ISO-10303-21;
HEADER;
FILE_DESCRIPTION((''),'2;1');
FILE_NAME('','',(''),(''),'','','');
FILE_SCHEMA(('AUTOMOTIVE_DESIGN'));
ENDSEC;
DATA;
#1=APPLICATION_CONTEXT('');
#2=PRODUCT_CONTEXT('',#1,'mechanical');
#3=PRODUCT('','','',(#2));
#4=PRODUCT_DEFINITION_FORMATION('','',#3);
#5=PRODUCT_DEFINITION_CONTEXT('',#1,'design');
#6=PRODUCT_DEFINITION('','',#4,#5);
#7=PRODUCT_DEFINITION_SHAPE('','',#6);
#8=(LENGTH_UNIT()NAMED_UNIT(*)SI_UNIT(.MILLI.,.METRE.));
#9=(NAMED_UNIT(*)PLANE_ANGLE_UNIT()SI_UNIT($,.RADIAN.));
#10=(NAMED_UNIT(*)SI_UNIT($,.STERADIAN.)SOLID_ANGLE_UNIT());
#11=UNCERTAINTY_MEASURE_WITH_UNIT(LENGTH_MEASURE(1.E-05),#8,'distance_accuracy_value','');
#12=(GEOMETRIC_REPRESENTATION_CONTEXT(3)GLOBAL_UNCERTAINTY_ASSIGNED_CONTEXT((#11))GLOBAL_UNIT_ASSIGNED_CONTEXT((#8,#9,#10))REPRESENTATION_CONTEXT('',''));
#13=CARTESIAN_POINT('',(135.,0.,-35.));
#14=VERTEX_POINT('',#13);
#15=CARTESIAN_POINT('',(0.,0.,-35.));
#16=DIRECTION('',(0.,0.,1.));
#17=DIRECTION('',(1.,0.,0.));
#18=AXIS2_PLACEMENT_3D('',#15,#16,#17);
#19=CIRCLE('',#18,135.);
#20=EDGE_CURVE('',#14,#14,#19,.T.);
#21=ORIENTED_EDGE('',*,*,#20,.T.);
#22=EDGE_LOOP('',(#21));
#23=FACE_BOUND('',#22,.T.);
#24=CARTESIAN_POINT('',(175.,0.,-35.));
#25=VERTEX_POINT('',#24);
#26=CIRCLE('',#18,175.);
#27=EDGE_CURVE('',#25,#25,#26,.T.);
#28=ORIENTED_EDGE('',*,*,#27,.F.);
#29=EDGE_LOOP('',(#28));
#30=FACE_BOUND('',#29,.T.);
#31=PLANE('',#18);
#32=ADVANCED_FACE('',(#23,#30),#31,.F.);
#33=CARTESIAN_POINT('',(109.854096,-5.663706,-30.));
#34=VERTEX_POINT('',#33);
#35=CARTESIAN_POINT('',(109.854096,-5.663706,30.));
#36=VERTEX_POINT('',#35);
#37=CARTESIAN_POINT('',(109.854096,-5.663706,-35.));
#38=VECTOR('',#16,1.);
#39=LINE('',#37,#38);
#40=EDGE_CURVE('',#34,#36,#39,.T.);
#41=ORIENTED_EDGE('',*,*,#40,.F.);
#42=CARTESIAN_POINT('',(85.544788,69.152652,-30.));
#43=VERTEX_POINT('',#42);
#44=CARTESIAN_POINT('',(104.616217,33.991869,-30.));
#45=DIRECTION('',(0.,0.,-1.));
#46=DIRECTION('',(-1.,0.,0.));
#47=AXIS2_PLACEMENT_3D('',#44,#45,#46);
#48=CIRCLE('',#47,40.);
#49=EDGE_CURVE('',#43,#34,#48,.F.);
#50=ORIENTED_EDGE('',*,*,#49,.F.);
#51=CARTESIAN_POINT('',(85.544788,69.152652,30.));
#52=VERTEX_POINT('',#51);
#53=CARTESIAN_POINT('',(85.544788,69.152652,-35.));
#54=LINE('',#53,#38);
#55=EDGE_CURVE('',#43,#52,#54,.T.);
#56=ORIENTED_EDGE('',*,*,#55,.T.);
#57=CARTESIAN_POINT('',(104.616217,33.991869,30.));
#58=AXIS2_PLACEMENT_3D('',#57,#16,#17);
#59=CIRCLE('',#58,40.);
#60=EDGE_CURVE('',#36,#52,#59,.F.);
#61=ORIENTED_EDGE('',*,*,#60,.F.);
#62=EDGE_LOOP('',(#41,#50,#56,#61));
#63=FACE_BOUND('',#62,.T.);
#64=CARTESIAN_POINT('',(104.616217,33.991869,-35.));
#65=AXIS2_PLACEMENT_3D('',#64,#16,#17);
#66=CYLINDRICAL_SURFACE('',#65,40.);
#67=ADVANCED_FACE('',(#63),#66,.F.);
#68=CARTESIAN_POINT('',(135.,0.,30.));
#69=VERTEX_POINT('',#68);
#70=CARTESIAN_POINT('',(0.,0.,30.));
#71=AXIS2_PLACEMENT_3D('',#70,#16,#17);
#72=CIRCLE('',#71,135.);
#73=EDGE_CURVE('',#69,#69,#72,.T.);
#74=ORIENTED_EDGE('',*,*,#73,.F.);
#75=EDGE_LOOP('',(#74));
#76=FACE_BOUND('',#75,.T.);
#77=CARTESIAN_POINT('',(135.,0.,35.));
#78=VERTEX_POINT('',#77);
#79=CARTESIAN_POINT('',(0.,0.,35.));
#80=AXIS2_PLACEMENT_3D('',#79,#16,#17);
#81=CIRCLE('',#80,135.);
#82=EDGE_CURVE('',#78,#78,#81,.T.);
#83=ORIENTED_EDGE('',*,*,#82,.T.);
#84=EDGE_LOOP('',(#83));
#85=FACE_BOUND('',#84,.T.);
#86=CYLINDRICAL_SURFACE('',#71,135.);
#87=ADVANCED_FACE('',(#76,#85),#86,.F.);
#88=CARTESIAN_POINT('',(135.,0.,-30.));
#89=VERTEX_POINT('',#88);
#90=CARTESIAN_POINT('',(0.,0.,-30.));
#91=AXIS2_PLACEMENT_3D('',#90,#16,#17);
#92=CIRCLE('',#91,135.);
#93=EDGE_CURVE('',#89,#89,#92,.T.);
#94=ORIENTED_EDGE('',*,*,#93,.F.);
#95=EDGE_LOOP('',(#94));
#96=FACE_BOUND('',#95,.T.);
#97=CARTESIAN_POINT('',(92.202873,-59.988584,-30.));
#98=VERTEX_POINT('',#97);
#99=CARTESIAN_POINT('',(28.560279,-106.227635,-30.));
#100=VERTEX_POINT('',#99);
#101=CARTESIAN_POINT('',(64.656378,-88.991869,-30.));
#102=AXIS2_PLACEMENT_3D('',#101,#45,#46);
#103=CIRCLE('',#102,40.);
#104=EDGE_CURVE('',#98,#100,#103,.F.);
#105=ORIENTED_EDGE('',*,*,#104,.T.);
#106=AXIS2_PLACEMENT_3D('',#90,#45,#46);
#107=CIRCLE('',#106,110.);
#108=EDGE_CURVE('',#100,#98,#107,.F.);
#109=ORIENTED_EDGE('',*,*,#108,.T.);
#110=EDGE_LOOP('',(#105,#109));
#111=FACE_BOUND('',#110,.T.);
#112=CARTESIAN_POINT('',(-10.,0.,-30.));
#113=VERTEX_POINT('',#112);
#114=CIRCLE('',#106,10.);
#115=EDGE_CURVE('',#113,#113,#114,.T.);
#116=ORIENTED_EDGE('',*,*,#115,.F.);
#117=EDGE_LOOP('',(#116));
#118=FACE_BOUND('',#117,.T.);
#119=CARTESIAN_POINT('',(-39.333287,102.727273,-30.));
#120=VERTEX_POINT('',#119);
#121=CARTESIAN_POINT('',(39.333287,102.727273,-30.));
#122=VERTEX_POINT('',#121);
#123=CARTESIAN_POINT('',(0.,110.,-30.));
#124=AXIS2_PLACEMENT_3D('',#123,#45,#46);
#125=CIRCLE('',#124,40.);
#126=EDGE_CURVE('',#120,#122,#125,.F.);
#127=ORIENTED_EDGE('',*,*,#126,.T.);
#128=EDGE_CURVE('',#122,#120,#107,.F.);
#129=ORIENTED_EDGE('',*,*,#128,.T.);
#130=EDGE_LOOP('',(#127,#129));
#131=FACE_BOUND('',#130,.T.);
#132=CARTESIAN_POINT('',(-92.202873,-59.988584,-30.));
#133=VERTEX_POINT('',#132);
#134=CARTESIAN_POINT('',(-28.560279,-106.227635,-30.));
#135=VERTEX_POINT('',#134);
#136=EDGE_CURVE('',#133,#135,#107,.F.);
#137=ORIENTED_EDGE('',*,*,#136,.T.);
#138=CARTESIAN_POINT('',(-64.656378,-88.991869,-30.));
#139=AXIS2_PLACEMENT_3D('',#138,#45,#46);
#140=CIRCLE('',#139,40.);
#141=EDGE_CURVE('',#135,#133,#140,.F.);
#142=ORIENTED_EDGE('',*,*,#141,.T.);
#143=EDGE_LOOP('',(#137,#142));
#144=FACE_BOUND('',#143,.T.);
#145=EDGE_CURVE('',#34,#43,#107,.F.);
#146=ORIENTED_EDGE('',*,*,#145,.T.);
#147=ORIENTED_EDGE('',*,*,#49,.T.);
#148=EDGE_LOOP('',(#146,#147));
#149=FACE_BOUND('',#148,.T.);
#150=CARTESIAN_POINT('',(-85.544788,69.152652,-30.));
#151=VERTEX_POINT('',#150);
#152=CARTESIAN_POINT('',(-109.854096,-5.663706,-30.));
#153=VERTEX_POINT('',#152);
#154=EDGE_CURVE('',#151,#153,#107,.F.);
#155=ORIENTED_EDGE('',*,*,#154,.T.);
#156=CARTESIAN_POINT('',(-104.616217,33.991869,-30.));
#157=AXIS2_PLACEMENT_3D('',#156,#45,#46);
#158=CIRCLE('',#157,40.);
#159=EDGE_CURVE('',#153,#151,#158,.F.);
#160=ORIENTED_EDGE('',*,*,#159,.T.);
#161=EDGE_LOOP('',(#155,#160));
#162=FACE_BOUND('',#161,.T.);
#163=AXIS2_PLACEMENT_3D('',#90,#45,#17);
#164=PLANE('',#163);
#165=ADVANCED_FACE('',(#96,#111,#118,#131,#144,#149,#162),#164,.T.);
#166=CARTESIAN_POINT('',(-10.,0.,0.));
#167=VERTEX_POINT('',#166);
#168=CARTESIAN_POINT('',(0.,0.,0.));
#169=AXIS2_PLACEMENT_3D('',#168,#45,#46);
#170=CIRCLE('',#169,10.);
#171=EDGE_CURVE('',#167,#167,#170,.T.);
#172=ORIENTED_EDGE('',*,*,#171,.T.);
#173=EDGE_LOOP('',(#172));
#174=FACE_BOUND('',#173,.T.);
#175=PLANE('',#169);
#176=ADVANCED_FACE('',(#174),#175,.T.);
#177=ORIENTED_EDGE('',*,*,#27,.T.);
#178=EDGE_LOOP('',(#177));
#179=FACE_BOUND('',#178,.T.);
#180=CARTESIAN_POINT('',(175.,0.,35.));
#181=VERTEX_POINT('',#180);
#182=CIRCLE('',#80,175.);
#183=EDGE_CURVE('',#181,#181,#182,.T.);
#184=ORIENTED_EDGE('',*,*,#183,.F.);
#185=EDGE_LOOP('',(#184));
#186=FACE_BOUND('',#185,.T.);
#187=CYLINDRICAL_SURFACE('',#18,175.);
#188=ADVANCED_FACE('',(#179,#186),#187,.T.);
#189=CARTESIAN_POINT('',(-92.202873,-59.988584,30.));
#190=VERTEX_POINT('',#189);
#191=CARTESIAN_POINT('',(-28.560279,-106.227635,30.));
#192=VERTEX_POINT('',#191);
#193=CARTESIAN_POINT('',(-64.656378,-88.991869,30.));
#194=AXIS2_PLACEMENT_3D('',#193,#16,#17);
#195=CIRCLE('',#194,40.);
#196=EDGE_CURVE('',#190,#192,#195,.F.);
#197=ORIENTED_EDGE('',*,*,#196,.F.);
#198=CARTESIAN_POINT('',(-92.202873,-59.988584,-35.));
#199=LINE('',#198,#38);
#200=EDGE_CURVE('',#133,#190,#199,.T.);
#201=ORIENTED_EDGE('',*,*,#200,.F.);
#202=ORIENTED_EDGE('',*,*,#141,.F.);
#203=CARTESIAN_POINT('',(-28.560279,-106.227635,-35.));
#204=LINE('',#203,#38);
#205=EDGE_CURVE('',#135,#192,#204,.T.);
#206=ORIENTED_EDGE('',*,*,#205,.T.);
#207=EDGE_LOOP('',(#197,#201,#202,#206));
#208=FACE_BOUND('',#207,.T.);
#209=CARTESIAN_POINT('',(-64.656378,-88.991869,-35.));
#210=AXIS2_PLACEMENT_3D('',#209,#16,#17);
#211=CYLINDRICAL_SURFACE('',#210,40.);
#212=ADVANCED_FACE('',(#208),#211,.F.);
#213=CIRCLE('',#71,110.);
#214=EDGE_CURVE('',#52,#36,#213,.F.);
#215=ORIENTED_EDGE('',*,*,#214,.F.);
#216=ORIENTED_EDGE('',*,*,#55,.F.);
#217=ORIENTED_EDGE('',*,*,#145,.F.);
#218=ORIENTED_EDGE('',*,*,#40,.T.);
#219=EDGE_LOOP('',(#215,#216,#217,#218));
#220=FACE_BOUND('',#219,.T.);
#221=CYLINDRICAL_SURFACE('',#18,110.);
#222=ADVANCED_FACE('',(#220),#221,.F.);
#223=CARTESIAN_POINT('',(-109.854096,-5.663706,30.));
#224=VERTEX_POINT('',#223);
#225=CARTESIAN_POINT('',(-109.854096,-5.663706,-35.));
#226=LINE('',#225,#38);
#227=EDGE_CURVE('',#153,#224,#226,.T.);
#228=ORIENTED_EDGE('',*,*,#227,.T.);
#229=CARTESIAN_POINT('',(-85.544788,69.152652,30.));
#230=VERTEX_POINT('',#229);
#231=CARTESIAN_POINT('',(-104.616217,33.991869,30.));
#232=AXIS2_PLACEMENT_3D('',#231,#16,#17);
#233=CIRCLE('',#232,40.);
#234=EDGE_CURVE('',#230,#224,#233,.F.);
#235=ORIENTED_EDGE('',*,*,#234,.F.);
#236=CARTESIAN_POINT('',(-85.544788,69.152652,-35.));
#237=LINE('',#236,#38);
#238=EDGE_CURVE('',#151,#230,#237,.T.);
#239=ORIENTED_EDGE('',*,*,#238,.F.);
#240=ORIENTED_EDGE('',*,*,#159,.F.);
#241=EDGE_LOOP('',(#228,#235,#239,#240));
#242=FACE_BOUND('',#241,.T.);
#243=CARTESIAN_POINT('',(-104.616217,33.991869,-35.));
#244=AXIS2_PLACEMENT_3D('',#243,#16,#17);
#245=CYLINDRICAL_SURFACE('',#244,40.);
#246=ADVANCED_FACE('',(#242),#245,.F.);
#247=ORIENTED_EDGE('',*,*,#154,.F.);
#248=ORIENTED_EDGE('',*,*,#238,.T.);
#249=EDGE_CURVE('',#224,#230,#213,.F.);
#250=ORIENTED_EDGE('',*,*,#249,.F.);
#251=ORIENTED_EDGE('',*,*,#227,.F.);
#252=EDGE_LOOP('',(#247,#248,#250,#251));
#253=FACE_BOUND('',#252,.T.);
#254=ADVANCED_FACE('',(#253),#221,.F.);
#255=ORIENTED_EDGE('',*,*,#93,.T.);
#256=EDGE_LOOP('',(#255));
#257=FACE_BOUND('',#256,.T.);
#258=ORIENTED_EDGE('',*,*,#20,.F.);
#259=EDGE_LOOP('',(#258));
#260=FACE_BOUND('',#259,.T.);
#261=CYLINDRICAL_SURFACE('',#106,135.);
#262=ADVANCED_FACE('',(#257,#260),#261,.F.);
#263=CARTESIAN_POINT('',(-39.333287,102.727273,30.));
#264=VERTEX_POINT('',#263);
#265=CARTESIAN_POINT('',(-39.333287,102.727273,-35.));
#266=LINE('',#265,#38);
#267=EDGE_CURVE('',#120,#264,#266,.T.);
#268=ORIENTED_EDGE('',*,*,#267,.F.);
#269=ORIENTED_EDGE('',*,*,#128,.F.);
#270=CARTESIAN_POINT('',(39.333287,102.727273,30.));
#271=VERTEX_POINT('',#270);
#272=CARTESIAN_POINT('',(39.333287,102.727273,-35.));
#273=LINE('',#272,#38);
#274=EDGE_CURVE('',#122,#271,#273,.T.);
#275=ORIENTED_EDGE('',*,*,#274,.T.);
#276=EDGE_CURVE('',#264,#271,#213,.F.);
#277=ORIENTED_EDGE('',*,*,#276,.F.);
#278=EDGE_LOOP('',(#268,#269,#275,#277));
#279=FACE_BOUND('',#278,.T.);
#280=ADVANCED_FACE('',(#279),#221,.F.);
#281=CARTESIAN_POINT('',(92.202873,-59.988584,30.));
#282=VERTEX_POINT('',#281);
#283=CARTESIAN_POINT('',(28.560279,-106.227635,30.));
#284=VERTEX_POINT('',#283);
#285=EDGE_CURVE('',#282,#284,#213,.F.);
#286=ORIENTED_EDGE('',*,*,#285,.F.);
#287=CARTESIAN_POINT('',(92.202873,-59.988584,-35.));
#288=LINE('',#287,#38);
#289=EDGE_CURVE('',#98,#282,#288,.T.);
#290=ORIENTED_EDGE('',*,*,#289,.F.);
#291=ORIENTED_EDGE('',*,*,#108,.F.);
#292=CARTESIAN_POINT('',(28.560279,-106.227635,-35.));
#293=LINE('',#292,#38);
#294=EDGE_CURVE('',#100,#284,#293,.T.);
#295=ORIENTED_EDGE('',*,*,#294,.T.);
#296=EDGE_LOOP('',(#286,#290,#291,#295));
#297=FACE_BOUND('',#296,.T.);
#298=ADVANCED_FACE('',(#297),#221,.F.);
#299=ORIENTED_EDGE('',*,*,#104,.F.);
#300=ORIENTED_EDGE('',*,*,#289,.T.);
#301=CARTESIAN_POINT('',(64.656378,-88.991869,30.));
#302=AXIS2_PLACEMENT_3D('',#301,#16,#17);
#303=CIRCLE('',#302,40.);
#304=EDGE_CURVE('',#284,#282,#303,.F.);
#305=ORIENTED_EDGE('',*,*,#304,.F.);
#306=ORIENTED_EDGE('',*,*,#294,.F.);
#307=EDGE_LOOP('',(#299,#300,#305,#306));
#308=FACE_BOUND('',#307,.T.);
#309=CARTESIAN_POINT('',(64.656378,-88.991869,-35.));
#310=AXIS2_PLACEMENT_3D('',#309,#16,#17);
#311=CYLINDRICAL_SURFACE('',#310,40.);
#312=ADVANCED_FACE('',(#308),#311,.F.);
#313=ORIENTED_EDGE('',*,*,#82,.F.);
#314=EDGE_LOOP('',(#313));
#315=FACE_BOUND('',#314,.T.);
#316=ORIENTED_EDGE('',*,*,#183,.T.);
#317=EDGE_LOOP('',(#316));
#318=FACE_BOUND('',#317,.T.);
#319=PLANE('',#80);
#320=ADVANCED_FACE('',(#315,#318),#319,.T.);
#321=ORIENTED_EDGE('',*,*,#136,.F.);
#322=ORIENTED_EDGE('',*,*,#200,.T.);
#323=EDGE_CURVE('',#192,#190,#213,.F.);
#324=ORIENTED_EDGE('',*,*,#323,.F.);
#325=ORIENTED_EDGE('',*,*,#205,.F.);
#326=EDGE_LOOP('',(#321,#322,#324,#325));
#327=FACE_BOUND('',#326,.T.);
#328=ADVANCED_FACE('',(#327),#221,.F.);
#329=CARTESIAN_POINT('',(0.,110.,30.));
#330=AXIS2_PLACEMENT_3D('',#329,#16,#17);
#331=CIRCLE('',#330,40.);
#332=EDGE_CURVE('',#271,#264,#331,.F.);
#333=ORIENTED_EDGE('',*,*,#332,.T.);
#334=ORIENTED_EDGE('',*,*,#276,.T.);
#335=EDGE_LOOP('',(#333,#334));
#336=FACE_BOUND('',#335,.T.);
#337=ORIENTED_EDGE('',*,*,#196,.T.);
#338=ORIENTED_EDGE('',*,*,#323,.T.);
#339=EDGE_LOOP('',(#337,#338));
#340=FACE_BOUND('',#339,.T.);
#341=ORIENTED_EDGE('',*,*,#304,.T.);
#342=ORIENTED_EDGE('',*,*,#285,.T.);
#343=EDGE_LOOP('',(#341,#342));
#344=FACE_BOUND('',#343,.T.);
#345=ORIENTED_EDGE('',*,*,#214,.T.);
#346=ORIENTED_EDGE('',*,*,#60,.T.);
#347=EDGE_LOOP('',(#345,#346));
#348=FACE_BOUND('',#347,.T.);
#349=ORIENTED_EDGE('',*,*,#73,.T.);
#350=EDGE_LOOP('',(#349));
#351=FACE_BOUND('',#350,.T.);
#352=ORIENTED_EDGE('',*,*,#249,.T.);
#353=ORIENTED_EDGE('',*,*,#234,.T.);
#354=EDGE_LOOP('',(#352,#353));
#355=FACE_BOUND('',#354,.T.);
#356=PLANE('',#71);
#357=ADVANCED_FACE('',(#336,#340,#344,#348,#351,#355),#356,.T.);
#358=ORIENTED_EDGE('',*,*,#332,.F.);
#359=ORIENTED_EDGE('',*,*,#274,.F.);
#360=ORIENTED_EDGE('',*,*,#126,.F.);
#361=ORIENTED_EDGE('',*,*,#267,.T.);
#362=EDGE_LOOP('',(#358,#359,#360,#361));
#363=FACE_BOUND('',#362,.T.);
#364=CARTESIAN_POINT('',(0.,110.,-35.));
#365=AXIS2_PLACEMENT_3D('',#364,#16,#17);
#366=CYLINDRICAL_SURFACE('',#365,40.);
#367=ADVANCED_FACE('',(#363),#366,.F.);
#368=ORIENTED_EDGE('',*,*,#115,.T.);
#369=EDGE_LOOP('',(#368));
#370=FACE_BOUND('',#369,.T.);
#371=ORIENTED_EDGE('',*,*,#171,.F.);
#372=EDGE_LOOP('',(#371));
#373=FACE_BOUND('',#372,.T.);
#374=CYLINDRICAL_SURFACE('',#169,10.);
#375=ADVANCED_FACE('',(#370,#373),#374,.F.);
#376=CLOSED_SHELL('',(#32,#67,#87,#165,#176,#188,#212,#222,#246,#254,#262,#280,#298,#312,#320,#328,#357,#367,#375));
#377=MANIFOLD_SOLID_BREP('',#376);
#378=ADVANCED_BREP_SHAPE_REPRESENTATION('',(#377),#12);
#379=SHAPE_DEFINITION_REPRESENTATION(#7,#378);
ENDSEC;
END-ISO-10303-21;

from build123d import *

# Parameters (mm, degrees)
EXTRUDE_1_DEPTH      = 35
EXTRUDE_1_DEPTH_BACK = 35
SKETCH_1_R           = 175
CUT_EXTRUDE_2_DEPTH  = 258.196422992
SKETCH_3_R           = 135
CUT_EXTRUDE_3_DEPTH  = 5
SKETCH_4_R           = 10
CUT_EXTRUDE_4_DEPTH  = 30


with BuildPart() as part:
    # 스케치1 → 보스-돌출1 (new, two sides: drawn at the far end of the back side and taken through both)
    with BuildSketch(Plane.XY.offset(-EXTRUDE_1_DEPTH_BACK)):
        Circle(SKETCH_1_R)
    extrude(amount=EXTRUDE_1_DEPTH + EXTRUDE_1_DEPTH_BACK)

    # 스케치2 → 컷-돌출2 (cut, through all)
    with BuildSketch(Plane.XY.offset(35)):
        with BuildLine():
            ThreePointArc((39.333286641, 102.727272727), (0, 110), (-39.333286641, 102.727272727))
            ThreePointArc((-39.333286641, 102.727272727), (0, 70), (39.333286641, 102.727272727))
        make_face()
        with BuildLine():
            ThreePointArc((-85.544788112, 69.152651626), (-104.616216792, 33.991869381), (-109.854096145, -5.663705509))
            ThreePointArc((-109.854096145, -5.663705509), (-66.573956141, 21.631189606), (-85.544788112, 69.152651626))
        make_face()
        with BuildLine():
            ThreePointArc((-92.202873255, -59.98858361), (-64.656377752, -88.991869381), (-28.56027858, -106.227635234))
            ThreePointArc((-28.56027858, -106.227635234), (-41.14496766, -56.631189606), (-92.202873255, -59.98858361))
        make_face()
        with BuildLine():
            ThreePointArc((28.56027858, -106.227635234), (64.656377752, -88.991869381), (92.202873255, -59.98858361))
            ThreePointArc((92.202873255, -59.98858361), (41.14496766, -56.631189606), (28.56027858, -106.227635234))
        make_face()
        with BuildLine():
            ThreePointArc((109.854096145, -5.663705509), (104.616216792, 33.991869381), (85.544788112, 69.152651626))
            ThreePointArc((85.544788112, 69.152651626), (66.573956141, 21.631189606), (109.854096145, -5.663705509))
        make_face()
    extrude(amount=-CUT_EXTRUDE_2_DEPTH, mode=Mode.SUBTRACT)

    # 스케치3 → 컷-돌출3 (cut)
    with BuildSketch(Plane.XY.offset(35)):
        Circle(SKETCH_3_R)
    cut_extrude_3 = extrude(amount=-CUT_EXTRUDE_3_DEPTH, mode=Mode.SUBTRACT)

    # 대칭 복사1: 컷-돌출3 across plane
    add(cut_extrude_3.mirror(Plane.XY), mode=Mode.SUBTRACT)

    # 스케치4 → 컷-돌출4 (cut)
    with BuildSketch(Plane(origin=(0, 0, -30), x_dir=(-1, 0, 0), z_dir=(0, 0, -1))):
        Circle(SKETCH_4_R)
    extrude(amount=-CUT_EXTRUDE_4_DEPTH, mode=Mode.SUBTRACT)


solid = part.part
